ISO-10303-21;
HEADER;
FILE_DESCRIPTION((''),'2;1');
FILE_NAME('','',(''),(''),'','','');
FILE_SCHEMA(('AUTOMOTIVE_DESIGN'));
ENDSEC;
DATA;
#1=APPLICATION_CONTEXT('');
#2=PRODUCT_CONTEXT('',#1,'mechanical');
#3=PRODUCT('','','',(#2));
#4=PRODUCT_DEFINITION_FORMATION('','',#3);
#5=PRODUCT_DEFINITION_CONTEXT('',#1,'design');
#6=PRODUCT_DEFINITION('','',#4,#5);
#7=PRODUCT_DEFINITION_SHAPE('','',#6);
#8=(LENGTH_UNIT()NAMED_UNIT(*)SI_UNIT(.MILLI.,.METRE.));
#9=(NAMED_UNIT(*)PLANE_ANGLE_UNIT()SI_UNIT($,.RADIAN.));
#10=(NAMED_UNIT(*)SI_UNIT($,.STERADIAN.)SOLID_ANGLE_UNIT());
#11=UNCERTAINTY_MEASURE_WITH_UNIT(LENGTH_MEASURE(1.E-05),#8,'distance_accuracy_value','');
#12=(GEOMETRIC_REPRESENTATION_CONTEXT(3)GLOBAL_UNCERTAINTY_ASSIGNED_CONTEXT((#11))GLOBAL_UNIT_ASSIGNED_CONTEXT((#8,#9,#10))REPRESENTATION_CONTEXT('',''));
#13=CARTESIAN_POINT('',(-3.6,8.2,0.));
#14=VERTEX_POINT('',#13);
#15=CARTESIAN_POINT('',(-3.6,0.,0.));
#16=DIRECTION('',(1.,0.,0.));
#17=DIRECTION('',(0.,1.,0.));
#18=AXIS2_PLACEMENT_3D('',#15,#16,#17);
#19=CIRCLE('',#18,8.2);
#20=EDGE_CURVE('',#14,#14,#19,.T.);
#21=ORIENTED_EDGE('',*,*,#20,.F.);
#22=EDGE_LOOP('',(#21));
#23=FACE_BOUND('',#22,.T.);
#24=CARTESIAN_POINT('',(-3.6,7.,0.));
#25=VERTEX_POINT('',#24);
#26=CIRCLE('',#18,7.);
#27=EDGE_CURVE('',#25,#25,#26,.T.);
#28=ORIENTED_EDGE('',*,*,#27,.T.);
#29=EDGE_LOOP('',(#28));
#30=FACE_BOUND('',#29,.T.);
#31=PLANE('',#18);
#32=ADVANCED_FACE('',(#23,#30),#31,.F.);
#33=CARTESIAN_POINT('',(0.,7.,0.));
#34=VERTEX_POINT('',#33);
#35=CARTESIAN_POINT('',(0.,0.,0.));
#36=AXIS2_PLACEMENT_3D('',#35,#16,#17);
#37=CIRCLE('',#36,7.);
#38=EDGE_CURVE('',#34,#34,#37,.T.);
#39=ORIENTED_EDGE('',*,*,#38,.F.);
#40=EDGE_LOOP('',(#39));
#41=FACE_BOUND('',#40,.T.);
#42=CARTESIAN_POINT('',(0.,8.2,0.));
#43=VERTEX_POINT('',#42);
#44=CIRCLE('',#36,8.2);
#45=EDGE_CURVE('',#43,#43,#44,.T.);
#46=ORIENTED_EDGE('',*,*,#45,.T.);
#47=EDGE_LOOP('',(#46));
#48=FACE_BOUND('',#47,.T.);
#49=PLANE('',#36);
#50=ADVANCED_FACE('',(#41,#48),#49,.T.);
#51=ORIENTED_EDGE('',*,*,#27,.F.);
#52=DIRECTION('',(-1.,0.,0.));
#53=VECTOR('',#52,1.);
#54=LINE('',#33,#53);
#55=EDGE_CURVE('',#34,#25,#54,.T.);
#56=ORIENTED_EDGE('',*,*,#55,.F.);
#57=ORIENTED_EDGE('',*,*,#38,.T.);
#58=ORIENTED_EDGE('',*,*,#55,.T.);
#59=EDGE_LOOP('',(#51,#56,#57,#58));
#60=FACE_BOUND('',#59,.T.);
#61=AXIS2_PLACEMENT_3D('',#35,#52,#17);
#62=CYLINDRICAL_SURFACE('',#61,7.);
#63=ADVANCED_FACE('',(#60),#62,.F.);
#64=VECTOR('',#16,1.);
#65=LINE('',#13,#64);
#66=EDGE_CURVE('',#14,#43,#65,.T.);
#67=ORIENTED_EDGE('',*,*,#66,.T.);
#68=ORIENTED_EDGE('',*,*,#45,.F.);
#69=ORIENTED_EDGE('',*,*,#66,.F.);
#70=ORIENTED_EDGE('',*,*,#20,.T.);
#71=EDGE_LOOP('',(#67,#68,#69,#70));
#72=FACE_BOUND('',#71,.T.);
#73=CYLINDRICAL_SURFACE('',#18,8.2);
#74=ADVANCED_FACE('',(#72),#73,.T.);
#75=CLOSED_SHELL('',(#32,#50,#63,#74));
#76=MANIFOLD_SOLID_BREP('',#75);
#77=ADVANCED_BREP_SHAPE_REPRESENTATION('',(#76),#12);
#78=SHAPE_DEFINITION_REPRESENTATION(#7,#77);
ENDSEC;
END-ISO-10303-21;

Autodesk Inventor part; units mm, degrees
ref_plane "YZ Plane" through (0, 0, 0) normal (1, 0, 0) x (0, 1, 0)
ref_plane "XZ Plane" through (0, 0, 0) normal (0, 1, 0) x (-1, 0, 0)
ref_plane "XY Plane" through (0, 0, 0) normal (0, 0, 1) x (1, 0, 0)
sketch "スケッチ1" plane through (0, 0, 0) normal (0, 0, 1) x (1, 0, 0)
  line L0 (-3.6, 8.2) -> (0, 8.2)
  line L1 (0, 8.2) -> (0, 7)
  line L2 (0, 7) -> (-3.6, 7)
  line L3 (-3.6, 7) -> (-3.6, 8.2)
  line L4 (-16.7746, 0) -> (0, 0)
  dimension "d1" = 3.6
  dimension "d2" = 1.2
  dimension "d4" = 14
revolve "回転1" add sketch "スケッチ1" angle 360 about axis through (-16.7746, 0, 0) along (1, 0, 0)
properties material "Stainless Steel"
